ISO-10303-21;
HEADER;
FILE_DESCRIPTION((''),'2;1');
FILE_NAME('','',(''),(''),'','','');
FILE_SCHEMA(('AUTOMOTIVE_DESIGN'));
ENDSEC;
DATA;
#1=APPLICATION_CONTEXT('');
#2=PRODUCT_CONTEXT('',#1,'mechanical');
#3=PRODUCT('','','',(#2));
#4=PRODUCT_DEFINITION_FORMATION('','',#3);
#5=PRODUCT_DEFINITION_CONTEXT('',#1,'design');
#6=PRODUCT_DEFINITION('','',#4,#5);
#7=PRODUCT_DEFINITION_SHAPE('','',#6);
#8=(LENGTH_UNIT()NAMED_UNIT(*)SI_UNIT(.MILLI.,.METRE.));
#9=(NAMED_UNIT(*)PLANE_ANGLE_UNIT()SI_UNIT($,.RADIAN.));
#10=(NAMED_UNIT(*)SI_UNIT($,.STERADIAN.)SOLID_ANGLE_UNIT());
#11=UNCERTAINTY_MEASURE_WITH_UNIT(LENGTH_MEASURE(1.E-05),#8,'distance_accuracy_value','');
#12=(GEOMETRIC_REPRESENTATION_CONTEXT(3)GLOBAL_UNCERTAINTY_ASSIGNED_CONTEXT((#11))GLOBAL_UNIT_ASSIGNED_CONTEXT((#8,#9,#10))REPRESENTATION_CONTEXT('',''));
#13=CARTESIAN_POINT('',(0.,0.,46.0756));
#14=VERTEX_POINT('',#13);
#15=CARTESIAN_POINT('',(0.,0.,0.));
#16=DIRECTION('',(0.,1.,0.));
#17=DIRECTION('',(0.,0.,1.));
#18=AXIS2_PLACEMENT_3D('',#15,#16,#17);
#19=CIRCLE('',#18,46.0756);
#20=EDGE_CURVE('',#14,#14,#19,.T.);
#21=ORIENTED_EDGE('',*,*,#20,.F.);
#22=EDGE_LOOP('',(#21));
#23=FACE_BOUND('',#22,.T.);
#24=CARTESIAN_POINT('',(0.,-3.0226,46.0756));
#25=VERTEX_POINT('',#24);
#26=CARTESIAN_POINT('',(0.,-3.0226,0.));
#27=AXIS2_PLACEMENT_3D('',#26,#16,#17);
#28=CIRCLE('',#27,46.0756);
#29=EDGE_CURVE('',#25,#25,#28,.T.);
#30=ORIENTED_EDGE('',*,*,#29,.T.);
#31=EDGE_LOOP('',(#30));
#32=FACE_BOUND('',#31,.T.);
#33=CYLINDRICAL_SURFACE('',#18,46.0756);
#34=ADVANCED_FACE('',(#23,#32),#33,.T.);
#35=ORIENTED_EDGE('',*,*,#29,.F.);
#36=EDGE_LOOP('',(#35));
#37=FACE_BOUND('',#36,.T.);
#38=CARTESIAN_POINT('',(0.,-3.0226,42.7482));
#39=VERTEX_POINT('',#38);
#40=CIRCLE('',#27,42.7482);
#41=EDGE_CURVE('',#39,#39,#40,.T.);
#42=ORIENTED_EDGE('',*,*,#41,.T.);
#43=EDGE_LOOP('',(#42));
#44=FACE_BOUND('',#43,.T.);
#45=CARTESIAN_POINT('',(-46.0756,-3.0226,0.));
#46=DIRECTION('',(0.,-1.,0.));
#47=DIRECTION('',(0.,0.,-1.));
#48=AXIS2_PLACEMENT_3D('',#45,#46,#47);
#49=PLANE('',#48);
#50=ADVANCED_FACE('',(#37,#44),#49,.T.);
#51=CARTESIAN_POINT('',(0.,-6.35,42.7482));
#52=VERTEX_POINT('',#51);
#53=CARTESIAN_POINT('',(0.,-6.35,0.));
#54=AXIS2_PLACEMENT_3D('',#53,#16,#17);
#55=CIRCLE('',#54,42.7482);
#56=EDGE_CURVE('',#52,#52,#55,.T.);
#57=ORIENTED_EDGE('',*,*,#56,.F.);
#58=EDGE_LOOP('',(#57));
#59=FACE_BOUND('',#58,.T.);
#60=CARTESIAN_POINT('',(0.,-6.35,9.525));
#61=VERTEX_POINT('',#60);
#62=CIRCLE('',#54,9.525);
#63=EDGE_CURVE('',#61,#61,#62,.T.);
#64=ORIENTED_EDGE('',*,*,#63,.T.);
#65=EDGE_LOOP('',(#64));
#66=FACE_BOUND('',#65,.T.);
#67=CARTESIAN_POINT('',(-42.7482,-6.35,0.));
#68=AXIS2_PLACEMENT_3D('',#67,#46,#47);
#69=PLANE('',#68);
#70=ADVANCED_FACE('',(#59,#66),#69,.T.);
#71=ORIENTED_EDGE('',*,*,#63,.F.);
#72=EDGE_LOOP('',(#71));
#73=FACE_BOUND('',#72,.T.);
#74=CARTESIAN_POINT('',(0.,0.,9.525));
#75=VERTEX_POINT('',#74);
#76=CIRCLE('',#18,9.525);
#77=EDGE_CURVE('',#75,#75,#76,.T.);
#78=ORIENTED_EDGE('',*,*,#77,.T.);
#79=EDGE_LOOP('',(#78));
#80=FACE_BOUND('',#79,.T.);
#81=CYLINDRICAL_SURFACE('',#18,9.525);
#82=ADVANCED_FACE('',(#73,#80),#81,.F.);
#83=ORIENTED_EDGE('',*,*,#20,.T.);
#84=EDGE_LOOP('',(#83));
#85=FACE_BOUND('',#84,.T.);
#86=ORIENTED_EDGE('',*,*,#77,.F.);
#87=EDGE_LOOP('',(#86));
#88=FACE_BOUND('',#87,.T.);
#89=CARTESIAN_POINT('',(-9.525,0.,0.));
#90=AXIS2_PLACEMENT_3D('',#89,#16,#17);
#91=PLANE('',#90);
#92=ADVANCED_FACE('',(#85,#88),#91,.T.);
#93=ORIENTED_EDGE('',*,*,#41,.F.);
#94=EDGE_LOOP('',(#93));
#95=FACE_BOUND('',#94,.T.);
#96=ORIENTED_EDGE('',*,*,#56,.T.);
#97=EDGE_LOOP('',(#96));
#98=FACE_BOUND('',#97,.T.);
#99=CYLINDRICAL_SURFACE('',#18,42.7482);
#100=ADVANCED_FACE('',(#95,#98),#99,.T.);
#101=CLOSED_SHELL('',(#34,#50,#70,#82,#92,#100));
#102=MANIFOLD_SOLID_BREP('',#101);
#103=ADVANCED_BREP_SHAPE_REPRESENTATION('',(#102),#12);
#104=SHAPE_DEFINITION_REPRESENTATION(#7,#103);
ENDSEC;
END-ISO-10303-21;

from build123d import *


with BuildPart() as part:
    # Sketch1 → Revolve1 (revolve)
    with BuildSketch(Plane.XY):
        Polygon((-9.525, 0), (-46.0756, 0), (-46.0756, -3.0226), (-42.7482, -3.0226), (-42.7482, -6.35), (-9.525, -6.35), align=None)
    revolve(axis=Axis((0, 0, 0), (0, -1, 0)))


solid = part.part
